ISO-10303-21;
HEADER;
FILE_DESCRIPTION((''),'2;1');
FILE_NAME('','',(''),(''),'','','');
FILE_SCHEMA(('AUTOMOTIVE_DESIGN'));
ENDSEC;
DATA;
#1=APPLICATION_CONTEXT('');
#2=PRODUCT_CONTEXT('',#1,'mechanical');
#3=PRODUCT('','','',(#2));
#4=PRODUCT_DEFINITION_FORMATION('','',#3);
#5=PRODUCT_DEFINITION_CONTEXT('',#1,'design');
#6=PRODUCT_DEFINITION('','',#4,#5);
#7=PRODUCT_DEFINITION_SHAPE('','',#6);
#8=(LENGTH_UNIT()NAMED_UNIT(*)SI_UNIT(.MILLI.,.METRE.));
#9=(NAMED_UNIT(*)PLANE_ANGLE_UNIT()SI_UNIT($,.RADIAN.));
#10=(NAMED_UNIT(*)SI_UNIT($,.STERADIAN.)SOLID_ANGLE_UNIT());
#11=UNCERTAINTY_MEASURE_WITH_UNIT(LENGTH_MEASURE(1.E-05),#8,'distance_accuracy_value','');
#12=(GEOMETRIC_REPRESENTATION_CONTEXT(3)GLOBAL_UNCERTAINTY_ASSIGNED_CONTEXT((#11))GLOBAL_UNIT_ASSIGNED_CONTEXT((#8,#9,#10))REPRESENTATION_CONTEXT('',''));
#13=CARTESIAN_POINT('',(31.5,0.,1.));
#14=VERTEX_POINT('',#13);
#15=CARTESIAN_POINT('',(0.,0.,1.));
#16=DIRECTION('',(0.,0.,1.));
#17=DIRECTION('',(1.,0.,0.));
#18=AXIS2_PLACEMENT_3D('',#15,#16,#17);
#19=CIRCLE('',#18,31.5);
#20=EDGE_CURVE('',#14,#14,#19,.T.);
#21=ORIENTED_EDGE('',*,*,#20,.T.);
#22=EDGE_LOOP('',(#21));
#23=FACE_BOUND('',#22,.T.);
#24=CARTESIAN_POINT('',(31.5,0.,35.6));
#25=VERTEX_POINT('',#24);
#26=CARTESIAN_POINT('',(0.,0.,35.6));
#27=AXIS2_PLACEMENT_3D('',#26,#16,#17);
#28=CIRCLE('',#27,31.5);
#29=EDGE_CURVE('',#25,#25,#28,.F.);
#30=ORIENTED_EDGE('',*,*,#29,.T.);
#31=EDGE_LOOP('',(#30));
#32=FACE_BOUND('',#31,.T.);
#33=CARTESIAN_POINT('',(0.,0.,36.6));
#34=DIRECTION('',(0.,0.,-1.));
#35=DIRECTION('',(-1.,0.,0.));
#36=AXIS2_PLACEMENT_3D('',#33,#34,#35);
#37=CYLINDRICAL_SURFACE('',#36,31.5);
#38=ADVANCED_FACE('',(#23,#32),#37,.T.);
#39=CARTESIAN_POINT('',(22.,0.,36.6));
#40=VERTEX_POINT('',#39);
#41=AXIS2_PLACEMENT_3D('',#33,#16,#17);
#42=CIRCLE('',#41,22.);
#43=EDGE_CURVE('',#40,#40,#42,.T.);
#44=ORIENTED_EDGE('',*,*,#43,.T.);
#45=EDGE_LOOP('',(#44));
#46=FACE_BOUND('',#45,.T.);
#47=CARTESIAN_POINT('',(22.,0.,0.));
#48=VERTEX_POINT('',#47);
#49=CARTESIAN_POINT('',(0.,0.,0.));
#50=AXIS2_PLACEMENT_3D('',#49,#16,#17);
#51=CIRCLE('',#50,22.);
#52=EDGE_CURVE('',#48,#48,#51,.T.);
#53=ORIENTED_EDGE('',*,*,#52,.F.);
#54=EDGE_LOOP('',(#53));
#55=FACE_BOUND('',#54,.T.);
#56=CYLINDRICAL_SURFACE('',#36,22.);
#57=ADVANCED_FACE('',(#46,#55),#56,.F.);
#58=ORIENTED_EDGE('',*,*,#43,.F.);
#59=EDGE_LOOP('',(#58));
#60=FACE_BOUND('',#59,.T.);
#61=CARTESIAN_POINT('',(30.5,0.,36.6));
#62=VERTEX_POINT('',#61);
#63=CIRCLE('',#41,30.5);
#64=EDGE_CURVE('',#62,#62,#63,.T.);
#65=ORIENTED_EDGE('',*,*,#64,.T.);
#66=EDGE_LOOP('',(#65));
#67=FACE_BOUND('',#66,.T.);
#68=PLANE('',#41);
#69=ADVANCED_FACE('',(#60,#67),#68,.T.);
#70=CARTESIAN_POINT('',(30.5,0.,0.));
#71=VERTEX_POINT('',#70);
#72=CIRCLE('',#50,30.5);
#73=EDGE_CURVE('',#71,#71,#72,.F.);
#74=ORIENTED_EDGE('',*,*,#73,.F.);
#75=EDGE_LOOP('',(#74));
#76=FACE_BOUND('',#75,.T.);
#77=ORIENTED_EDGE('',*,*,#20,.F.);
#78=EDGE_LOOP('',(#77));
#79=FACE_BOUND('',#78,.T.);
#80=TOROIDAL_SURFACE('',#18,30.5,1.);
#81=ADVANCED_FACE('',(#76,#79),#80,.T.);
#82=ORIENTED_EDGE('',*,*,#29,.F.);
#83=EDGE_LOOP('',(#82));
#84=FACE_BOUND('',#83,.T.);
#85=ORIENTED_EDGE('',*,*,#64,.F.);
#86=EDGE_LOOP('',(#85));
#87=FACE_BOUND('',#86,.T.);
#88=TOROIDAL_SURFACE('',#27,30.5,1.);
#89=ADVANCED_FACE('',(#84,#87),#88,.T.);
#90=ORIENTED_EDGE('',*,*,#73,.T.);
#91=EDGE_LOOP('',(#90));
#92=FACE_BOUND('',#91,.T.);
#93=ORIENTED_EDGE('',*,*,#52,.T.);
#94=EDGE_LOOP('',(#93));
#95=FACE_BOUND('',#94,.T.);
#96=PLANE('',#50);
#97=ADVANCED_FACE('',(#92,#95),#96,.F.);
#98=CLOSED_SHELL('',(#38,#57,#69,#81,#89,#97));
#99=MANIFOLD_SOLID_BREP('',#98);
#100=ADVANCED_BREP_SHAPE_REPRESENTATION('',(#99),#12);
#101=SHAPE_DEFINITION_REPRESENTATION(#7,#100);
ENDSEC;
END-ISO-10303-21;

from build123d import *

# Parameters (mm, degrees)
ESQUISSE1_R        = 31.5
ESQUISSE1_R_2      = 22
BOSS_EXTRU_1_DEPTH = 36.6
CONG_1_R           = 1


with BuildPart() as part:
    # Esquisse1 → Boss.-Extru.1 (new body)
    with BuildSketch(Plane.XY):
        Circle(ESQUISSE1_R)
        Circle(ESQUISSE1_R_2, mode=Mode.SUBTRACT)
    extrude(amount=BOSS_EXTRU_1_DEPTH)

    # Congé1
    cong_1_edges = [part.edges().sort_by_distance(p)[0] for p in [
        (-31.5, 0, 0),
        (-31.5, 0, 36.6),
    ]]
    fillet(cong_1_edges, radius=CONG_1_R)


solid = part.part
